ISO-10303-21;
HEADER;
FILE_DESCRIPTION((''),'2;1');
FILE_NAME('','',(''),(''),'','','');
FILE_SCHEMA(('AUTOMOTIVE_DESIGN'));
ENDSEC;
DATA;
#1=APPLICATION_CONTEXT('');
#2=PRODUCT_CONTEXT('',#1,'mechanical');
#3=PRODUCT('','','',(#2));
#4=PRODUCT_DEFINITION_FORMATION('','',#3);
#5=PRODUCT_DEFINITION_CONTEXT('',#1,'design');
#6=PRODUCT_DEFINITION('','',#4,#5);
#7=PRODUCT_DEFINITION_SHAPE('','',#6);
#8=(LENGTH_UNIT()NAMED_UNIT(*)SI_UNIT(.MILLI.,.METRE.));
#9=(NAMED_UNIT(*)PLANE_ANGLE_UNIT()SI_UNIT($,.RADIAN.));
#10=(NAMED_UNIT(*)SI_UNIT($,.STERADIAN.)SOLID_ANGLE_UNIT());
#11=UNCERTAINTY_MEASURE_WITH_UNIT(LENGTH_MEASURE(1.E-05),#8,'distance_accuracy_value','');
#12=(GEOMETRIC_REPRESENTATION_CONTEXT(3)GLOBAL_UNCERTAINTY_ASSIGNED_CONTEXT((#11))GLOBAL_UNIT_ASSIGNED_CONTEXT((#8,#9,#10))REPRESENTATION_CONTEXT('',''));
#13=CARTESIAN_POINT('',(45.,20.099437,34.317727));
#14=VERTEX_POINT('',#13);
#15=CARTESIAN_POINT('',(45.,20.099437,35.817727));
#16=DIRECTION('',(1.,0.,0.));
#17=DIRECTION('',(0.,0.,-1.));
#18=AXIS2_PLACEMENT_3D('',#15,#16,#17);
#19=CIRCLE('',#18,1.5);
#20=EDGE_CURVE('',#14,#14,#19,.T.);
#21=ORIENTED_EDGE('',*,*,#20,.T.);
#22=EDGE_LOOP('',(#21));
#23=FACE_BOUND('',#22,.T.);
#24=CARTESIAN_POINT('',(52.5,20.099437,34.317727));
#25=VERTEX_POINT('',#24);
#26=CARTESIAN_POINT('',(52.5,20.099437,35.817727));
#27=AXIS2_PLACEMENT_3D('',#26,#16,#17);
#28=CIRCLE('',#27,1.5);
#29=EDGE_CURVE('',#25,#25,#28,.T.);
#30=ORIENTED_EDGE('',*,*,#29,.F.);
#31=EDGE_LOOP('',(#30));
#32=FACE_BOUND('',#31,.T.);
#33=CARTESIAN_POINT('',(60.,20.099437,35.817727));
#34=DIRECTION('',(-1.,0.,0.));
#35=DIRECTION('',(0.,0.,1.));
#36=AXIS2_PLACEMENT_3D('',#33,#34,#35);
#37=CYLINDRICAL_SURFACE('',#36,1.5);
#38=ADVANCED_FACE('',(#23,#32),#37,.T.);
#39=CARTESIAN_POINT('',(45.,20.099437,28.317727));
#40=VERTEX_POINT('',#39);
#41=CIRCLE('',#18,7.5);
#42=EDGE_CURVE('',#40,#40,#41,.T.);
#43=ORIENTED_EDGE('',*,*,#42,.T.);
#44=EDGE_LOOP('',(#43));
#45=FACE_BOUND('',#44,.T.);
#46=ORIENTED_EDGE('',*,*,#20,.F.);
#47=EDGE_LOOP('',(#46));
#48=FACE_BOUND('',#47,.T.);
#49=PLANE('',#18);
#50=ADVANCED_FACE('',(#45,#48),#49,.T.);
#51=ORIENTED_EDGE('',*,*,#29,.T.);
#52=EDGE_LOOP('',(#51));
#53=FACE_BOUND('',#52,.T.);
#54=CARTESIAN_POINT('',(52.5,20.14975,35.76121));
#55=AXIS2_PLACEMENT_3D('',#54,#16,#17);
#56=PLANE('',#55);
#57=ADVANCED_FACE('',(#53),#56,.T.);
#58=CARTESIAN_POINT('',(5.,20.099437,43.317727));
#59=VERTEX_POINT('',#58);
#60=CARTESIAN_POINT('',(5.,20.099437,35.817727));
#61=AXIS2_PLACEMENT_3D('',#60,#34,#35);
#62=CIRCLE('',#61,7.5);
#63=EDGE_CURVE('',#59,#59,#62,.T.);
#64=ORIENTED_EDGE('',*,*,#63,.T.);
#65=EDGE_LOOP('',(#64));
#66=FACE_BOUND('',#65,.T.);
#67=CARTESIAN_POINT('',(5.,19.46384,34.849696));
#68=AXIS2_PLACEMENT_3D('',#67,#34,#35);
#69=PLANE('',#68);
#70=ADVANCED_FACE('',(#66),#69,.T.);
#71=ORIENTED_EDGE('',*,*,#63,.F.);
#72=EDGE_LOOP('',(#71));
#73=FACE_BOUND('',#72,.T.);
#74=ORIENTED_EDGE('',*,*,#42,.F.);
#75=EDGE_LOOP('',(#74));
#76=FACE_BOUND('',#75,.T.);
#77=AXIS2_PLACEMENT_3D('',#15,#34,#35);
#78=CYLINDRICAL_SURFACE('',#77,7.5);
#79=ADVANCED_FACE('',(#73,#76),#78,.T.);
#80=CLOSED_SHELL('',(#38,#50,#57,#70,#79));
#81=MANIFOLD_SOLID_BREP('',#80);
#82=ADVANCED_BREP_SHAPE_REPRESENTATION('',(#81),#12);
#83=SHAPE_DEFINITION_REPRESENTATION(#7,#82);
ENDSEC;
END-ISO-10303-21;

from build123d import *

# Parameters (mm, degrees)
SKETCH1_R           = 7.5
BOSS_EXTRUDE1_DEPTH = 45
SKETCH2_R           = 1.5
BOSS_EXTRUDE2_DEPTH = 15
SKETCH3_R           = 3.389534101
CUT_EXTRUDE1_DEPTH  = 7.5
SKETCH4_R           = 13.089152616
CUT_EXTRUDE2_DEPTH  = 5


with BuildPart() as part:
    # Sketch1 → Boss-Extrude1 (new body)
    with BuildSketch(Plane(origin=(0, 0, 0), x_dir=(0, 0, -1), z_dir=(1, 0, 0))):
        with Locations((-35.817726835, 20.099436521)):
            Circle(SKETCH1_R)
    extrude(amount=BOSS_EXTRUDE1_DEPTH)

    # Sketch2 → Boss-Extrude2 (add)
    with BuildSketch(Plane(origin=(45, 0, 0), x_dir=(0, 0, -1), z_dir=(1, 0, 0))):
        with Locations((-35.817726835, 20.099436521)):
            Circle(SKETCH2_R)
    extrude(amount=BOSS_EXTRUDE2_DEPTH)

    # Sketch3 → Cut-Extrude1 (cut)
    with BuildSketch(Plane(origin=(60, 0, 0), x_dir=(0, 0, -1), z_dir=(1, 0, 0))):
        with Locations((-35.761209842, 20.149750274)):
            Circle(SKETCH3_R)
    extrude(amount=-CUT_EXTRUDE1_DEPTH, mode=Mode.SUBTRACT)

    # Sketch4 → Cut-Extrude2 (cut)
    with BuildSketch(Plane.ZY):
        with Locations((34.849696462, 19.463840008)):
            Circle(SKETCH4_R)
    extrude(amount=-CUT_EXTRUDE2_DEPTH, mode=Mode.SUBTRACT)


solid = part.part
